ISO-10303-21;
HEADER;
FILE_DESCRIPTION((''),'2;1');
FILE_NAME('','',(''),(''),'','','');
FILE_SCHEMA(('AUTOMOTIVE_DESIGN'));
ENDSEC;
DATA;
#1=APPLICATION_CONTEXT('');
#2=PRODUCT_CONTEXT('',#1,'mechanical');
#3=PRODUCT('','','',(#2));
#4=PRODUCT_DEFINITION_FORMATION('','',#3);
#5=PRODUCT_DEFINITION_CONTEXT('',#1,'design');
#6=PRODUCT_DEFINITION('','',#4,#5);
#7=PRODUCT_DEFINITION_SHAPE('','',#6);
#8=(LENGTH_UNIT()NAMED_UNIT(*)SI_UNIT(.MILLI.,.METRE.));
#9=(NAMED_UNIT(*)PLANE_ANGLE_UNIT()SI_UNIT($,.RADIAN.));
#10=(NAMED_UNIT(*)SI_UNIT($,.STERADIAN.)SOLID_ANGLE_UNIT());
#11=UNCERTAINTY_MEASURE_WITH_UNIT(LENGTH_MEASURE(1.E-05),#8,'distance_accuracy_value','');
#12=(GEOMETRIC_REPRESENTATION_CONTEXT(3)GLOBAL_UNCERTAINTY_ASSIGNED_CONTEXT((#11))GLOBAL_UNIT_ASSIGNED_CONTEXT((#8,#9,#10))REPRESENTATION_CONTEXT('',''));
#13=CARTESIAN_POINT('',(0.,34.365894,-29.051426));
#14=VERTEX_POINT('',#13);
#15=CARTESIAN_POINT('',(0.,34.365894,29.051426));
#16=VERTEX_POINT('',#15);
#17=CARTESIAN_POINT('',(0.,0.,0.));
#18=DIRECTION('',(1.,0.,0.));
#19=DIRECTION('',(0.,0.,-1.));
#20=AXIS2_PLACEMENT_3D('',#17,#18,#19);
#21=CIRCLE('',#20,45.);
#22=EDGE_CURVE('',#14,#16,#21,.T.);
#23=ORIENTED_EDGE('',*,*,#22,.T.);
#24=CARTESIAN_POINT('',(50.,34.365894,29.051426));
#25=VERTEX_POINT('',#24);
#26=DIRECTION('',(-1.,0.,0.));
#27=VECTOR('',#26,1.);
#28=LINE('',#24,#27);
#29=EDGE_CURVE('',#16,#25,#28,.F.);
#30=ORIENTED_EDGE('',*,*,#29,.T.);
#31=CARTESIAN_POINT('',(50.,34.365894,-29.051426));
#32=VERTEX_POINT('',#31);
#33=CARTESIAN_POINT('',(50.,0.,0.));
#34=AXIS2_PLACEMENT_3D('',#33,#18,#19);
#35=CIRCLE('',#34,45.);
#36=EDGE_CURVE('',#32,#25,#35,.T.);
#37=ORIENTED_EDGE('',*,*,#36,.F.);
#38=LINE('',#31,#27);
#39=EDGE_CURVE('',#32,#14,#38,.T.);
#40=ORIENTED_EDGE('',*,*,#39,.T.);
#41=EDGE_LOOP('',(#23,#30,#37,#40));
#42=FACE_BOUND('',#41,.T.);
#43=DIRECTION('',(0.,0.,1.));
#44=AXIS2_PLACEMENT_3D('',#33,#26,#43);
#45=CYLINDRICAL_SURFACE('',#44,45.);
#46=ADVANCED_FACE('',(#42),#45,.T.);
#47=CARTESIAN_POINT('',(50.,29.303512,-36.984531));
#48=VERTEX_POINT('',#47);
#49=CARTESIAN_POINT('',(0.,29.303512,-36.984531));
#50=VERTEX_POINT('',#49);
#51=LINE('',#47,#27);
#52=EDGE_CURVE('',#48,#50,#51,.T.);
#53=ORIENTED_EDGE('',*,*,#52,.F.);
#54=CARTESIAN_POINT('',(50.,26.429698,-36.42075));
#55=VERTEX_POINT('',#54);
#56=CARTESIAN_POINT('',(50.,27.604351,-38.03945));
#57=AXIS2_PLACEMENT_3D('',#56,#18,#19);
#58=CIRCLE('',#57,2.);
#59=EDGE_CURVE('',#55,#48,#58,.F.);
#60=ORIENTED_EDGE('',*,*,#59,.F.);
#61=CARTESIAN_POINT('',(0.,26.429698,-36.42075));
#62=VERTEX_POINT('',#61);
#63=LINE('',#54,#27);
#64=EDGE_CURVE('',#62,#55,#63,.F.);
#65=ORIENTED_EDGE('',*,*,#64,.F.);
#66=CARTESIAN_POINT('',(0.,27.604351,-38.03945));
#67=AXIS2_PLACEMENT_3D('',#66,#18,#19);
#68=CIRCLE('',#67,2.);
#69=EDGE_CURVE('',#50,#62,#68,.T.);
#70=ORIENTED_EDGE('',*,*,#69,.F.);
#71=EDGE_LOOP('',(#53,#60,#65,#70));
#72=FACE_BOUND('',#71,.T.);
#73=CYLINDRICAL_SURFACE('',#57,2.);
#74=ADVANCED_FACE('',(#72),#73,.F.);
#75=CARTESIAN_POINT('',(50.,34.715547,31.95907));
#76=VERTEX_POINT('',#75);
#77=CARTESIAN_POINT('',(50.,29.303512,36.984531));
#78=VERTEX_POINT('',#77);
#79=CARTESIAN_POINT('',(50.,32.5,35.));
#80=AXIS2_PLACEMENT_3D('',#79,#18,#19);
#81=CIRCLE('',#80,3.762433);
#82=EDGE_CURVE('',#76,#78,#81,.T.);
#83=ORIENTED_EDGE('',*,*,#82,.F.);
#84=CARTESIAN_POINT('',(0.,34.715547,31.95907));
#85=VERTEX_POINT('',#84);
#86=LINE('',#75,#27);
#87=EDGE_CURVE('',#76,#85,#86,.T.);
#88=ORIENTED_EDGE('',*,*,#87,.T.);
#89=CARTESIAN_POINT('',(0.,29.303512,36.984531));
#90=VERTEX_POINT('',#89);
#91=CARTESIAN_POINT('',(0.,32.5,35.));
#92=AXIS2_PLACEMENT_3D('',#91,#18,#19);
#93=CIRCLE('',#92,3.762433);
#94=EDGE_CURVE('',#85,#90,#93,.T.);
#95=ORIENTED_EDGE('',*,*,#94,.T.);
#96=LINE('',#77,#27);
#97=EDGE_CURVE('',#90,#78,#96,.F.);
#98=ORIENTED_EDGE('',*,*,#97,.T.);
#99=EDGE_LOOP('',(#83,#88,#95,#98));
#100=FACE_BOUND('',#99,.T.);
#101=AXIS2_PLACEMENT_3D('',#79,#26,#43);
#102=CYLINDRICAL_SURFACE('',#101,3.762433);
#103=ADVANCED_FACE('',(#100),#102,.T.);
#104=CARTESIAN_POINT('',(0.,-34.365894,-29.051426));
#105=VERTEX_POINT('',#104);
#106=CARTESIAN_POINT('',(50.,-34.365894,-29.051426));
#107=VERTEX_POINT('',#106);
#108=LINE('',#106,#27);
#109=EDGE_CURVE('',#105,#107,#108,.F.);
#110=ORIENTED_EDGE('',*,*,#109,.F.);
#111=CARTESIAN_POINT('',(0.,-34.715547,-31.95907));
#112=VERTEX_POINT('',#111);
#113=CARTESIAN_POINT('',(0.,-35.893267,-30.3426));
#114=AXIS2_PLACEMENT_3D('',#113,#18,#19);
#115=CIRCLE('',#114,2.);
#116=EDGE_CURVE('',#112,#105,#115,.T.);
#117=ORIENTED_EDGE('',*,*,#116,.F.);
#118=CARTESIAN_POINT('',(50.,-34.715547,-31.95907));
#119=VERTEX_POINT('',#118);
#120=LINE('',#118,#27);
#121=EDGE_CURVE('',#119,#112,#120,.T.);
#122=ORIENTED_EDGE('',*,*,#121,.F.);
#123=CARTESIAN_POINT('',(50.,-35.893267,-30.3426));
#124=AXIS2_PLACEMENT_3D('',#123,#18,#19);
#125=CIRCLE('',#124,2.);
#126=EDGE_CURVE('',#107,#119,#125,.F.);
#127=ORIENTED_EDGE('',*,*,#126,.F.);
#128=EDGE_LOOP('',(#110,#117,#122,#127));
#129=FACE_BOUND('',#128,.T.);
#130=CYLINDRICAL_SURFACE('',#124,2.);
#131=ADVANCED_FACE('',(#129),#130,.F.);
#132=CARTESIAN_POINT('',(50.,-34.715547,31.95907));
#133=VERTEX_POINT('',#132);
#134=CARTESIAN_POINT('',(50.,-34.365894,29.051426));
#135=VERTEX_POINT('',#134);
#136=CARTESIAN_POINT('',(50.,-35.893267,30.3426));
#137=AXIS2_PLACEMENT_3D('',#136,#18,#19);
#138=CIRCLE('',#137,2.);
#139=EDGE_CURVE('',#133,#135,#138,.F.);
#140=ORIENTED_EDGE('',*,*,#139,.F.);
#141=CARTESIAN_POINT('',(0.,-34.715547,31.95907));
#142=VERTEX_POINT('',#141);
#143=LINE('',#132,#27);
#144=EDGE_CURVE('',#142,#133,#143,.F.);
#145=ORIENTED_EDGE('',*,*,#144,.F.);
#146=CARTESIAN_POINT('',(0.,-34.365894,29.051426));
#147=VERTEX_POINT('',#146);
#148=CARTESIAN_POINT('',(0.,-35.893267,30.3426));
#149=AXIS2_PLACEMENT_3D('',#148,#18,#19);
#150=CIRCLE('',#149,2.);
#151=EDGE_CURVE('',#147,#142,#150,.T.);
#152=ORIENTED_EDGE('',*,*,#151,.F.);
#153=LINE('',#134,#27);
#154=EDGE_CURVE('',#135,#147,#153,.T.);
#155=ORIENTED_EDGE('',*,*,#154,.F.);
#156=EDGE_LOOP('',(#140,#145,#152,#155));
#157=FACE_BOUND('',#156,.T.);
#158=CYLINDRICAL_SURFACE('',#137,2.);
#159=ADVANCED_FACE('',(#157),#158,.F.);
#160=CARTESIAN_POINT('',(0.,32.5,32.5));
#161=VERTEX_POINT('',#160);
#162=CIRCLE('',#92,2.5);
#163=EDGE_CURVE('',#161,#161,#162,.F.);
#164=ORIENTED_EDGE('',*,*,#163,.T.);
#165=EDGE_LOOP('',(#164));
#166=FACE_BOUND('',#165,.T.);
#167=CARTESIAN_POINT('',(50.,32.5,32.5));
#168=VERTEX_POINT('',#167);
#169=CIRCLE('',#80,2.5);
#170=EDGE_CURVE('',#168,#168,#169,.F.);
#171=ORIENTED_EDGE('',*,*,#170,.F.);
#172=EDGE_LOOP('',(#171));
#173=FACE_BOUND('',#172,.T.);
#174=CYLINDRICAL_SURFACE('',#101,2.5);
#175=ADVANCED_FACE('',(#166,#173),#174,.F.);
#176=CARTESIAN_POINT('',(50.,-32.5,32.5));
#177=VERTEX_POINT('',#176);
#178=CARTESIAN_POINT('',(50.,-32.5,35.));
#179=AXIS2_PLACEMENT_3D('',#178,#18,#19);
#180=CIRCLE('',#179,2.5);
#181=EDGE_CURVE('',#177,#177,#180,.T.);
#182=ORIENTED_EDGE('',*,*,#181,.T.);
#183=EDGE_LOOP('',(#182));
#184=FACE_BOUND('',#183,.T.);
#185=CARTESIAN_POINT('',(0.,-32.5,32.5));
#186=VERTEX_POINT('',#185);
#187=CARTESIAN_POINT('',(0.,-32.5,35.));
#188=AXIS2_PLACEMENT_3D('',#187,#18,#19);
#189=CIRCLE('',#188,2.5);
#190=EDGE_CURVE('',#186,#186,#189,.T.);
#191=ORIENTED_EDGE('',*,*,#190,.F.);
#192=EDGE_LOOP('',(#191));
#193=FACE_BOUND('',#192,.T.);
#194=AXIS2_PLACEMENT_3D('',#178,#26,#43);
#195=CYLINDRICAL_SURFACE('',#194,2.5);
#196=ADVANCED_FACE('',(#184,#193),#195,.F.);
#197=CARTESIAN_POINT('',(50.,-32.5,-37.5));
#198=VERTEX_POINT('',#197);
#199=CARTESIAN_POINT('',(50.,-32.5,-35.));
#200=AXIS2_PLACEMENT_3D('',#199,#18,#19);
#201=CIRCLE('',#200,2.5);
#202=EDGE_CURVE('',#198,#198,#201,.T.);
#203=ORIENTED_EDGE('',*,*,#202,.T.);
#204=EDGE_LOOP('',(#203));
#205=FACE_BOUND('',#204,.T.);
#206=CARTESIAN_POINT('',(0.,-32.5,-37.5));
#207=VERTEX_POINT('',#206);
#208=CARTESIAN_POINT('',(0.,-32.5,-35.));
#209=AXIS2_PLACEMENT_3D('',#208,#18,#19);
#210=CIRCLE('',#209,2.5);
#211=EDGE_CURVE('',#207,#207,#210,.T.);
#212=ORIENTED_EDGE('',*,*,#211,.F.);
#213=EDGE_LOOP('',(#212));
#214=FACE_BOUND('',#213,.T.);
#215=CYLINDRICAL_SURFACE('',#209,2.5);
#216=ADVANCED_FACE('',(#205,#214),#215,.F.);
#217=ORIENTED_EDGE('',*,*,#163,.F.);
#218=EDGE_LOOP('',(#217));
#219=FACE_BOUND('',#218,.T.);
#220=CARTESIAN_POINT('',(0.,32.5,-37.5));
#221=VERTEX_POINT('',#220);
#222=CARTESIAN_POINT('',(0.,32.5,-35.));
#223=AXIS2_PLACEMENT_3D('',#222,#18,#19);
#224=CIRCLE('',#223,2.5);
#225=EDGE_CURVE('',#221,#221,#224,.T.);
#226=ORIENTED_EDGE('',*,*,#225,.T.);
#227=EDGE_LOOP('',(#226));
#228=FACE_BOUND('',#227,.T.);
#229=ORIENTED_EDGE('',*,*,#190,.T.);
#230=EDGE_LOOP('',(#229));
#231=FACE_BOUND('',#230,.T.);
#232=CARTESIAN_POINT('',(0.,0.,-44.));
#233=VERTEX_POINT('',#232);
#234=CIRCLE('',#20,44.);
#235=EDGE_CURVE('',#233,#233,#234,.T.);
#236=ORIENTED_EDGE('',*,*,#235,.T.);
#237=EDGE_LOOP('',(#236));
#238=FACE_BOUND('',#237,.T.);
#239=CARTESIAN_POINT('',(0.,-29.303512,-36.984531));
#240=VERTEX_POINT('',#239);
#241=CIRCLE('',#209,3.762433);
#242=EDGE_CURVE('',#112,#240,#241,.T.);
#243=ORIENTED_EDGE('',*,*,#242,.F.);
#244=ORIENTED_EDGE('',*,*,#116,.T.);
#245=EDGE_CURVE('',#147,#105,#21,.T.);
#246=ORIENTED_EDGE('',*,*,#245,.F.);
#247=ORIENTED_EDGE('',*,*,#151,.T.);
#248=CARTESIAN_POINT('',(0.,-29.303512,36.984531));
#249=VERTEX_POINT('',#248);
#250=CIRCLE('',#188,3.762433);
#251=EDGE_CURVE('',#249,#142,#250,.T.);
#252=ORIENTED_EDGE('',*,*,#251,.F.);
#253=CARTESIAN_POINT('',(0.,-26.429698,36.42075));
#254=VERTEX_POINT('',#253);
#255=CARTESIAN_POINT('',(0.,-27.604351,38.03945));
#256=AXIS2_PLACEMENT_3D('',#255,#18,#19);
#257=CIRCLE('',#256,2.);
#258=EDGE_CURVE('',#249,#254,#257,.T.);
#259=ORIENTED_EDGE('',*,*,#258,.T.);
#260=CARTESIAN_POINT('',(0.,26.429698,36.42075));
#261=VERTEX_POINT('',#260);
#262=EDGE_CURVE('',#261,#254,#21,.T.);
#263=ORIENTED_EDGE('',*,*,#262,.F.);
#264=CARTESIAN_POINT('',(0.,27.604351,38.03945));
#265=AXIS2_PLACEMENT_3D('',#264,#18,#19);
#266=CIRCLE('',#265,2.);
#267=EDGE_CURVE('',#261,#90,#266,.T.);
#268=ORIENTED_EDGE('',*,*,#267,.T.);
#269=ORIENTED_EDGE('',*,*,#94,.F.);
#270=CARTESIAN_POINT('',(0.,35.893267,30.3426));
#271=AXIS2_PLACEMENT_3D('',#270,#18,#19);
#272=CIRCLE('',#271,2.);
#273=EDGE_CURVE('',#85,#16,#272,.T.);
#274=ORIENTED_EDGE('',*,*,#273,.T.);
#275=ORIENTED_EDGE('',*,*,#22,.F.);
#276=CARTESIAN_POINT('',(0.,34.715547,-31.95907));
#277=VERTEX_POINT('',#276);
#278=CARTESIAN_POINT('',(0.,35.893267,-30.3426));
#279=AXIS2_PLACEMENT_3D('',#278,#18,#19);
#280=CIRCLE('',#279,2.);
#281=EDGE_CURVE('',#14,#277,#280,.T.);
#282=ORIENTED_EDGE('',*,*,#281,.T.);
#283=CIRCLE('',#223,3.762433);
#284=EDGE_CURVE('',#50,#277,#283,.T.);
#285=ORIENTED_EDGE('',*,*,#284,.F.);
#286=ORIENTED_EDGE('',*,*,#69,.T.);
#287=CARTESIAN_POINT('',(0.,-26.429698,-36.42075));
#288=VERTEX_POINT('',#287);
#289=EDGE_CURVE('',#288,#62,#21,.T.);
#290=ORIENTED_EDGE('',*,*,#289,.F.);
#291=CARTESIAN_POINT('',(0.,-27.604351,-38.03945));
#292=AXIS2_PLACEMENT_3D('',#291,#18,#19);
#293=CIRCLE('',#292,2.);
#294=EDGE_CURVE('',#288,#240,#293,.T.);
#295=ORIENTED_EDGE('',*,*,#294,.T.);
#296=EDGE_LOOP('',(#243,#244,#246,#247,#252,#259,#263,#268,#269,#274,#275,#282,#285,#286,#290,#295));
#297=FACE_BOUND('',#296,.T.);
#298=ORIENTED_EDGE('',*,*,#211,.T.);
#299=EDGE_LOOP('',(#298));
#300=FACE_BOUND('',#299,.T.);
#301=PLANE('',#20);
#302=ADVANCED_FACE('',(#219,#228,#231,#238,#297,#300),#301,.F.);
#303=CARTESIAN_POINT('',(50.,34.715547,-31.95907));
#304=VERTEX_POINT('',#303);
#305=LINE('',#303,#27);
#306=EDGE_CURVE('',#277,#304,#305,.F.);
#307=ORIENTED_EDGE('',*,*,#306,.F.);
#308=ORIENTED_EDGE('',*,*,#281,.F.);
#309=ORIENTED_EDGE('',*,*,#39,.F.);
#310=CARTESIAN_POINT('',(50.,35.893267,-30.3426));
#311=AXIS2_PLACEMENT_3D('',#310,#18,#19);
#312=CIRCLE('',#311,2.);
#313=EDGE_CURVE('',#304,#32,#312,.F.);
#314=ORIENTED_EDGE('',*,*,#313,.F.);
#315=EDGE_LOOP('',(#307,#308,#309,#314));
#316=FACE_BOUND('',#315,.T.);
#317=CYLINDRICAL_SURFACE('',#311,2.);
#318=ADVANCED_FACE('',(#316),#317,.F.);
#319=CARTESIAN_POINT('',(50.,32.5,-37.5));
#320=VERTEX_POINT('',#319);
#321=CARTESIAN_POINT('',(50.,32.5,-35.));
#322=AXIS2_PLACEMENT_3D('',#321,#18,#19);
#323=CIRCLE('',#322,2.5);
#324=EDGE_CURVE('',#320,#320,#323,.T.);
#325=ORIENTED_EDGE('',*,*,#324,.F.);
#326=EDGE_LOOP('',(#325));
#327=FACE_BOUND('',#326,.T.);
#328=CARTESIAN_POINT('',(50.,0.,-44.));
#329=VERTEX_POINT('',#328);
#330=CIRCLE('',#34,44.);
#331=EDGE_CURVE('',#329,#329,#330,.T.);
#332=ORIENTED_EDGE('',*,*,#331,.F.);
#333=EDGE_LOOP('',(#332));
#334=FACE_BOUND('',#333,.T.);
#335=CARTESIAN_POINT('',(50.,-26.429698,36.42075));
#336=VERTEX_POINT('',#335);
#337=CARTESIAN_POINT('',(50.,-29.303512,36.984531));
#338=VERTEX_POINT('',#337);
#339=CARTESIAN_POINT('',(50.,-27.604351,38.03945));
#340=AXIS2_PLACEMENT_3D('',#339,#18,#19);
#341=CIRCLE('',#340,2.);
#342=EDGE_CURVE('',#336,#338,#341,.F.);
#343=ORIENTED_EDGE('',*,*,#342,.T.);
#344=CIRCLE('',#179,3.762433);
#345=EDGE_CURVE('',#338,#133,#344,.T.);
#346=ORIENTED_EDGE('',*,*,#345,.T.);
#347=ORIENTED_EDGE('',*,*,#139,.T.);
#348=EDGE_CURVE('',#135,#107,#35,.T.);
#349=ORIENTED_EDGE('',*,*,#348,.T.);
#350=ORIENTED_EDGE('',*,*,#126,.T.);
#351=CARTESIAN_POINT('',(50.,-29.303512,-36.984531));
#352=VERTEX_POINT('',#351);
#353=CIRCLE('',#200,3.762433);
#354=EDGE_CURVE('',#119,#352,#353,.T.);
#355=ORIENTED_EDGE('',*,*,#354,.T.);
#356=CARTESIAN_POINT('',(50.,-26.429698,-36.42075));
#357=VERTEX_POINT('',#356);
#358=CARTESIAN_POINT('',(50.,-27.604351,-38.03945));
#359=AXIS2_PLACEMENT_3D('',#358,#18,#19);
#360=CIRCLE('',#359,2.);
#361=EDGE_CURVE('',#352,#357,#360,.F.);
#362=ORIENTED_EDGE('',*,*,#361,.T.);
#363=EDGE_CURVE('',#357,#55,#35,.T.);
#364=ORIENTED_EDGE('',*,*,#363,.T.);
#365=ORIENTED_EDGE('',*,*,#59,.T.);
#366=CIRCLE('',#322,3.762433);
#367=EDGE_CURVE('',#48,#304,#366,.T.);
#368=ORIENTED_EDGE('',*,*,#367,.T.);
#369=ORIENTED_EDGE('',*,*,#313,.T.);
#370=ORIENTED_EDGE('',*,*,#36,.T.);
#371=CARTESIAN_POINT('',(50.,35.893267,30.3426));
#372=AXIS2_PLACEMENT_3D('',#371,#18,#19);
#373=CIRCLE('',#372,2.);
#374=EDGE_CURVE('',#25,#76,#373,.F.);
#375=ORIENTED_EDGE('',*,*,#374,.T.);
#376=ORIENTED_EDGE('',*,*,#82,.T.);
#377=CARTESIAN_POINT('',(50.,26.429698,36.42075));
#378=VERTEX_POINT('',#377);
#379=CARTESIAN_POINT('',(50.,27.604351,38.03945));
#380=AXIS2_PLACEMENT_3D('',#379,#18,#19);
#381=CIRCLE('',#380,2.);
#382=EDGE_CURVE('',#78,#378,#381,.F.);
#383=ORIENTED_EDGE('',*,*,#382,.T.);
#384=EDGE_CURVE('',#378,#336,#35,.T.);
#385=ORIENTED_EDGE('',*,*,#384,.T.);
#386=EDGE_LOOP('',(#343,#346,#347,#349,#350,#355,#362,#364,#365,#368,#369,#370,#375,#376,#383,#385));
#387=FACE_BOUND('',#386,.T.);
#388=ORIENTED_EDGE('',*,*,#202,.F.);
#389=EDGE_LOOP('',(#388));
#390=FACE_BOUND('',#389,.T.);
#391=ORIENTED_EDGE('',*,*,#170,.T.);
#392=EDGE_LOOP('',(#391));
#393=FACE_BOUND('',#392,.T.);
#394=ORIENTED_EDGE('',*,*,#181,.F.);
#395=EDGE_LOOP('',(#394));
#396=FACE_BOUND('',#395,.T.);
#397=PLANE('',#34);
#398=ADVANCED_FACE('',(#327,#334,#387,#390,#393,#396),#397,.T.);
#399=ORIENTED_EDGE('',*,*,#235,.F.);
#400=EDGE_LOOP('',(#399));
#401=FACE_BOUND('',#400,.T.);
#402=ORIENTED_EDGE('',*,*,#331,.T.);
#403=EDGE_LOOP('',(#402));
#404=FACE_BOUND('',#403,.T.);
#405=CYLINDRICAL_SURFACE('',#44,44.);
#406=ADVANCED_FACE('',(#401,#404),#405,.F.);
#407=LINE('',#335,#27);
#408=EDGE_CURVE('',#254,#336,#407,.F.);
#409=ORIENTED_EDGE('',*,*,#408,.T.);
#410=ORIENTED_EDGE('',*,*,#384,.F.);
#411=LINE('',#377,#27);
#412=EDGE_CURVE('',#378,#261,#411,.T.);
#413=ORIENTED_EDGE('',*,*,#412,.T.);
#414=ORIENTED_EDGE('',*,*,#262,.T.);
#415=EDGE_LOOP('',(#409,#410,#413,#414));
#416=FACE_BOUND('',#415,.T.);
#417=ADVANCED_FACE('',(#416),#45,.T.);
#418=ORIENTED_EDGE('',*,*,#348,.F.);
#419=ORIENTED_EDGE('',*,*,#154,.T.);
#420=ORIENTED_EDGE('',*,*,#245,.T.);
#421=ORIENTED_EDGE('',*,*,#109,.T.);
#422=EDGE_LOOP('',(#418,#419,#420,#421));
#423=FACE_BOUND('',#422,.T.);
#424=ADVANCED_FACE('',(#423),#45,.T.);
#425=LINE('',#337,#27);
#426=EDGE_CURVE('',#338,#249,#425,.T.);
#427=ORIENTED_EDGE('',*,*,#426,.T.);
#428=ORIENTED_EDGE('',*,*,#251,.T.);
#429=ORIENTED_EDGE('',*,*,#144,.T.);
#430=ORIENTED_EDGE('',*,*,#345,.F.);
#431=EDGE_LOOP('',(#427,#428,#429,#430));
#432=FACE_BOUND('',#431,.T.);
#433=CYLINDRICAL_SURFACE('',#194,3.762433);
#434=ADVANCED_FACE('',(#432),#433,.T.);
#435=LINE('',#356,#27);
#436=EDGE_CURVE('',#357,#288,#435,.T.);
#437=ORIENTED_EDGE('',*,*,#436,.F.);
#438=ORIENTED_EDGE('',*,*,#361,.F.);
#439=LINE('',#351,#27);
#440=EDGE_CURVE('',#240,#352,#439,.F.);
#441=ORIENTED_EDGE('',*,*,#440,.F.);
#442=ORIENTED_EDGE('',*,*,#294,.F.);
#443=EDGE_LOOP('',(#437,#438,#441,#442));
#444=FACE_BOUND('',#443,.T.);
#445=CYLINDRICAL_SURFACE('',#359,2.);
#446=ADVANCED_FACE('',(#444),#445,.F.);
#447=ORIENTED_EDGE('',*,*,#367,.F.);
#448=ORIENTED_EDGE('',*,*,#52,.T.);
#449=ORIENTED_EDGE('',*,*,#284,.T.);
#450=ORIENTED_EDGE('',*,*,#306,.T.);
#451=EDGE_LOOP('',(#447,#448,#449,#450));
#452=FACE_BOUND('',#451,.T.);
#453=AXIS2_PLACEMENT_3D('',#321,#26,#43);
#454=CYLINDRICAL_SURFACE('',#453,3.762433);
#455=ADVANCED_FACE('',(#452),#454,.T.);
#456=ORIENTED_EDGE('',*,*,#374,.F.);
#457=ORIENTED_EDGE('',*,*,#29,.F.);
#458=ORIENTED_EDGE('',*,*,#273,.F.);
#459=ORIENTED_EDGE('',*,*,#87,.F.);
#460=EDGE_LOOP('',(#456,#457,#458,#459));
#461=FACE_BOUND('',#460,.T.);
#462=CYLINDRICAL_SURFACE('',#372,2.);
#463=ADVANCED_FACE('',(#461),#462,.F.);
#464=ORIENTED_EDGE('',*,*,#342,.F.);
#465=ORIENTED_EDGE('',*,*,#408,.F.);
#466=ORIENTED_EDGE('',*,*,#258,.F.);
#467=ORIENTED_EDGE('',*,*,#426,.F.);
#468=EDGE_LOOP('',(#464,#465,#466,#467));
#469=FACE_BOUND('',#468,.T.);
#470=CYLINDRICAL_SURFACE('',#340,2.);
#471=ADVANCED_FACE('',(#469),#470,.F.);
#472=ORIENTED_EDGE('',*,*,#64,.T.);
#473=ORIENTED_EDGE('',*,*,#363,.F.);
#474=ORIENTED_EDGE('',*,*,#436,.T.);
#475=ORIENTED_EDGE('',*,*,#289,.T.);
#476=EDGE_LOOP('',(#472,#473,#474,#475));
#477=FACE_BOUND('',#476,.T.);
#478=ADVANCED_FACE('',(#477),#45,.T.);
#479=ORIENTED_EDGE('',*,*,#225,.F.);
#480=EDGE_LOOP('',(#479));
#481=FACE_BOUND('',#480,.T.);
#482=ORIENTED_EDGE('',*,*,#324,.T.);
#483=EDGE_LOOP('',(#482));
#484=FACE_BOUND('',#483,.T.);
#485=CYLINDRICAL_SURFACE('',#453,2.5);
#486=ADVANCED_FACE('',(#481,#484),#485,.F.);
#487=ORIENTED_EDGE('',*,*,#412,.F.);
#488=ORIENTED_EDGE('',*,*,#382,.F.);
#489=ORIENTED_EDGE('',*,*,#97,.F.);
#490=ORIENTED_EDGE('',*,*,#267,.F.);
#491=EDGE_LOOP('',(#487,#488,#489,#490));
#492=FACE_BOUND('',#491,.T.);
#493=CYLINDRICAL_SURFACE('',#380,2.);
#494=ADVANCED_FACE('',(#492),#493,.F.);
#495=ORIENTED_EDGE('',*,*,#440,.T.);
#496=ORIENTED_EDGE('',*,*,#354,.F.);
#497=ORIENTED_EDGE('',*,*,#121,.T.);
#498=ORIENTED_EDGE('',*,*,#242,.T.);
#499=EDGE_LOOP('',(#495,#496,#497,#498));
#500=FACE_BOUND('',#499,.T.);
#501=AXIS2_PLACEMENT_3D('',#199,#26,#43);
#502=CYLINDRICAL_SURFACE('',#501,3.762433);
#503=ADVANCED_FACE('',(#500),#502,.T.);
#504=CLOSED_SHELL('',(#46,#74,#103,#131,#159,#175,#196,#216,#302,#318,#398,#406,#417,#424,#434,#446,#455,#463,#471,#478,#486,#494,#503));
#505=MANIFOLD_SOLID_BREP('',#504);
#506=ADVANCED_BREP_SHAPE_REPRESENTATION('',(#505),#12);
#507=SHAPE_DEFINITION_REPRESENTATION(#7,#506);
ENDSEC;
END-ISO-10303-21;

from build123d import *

# Parameters (mm, degrees)
SKETCH1_R           = 45
SKETCH1_R_2         = 44
SKETCH1_R_3         = 3.762432936
SKETCH1_R_4         = 2.5
BOSS_EXTRUDE5_DEPTH = 50
SKETCH2_R           = 2.5
CUT_EXTRUDE1_DEPTH  = 50
FILLET1_R           = 2


with BuildPart() as part:
    # Sketch1 → Boss-Extrude5 (new body)
    # profile 1 of 5: a face of its own
    with BuildSketch(Plane(origin=(0, 0, 0), x_dir=(0, 0, -1), z_dir=(1, 0, 0))):
        Circle(SKETCH1_R)
        Circle(SKETCH1_R_2, mode=Mode.SUBTRACT)
    # profile 2 of 5: a face of its own
    with BuildSketch(Plane(origin=(0, 0, 0), x_dir=(0, 0, -1), z_dir=(1, 0, 0))):
        with Locations((-35, 32.5)):
            Circle(SKETCH1_R_3)
        with Locations((-35, 32.5)):
            Circle(SKETCH1_R_4, mode=Mode.SUBTRACT)
    # profile 3 of 5: a face of its own
    with BuildSketch(Plane(origin=(0, 0, 0), x_dir=(0, 0, -1), z_dir=(1, 0, 0))):
        with Locations((-35, -32.5)):
            Circle(SKETCH1_R_3)
        with Locations((-35, -32.5)):
            Circle(SKETCH1_R_4, mode=Mode.SUBTRACT)
    # profile 4 of 5: a face of its own
    with BuildSketch(Plane(origin=(0, 0, 0), x_dir=(0, 0, -1), z_dir=(1, 0, 0))):
        with Locations((35, -32.5)):
            Circle(SKETCH1_R_3)
    # profile 5 of 5: a face of its own
    with BuildSketch(Plane(origin=(0, 0, 0), x_dir=(0, 0, -1), z_dir=(1, 0, 0))):
        with Locations((35, 32.5)):
            Circle(SKETCH1_R_3)
        with Locations((35, 32.5)):
            Circle(SKETCH1_R_4, mode=Mode.SUBTRACT)
    extrude(amount=BOSS_EXTRUDE5_DEPTH)

    # Sketch2 → Cut-Extrude1 (cut)
    with BuildSketch(Plane(origin=(50, 0, 0), x_dir=(0, 0, -1), z_dir=(1, 0, 0))):
        with Locations((35, -32.5)):
            Circle(SKETCH2_R)
    extrude(amount=-CUT_EXTRUDE1_DEPTH, mode=Mode.SUBTRACT)

    # Fillet1
    fillet1_edges = [part.edges().sort_by_distance(p)[0] for p in [
        (25, -28.757613043, 34.612132151),
        (25, 28.757613043, 34.612132151),
        (25, 32.390028906, 31.239174564),
        (25, -32.390028906, 31.239174564),
        (25, 28.757613043, -34.612132151),
        (25, 32.390028906, -31.239174564),
        (25, -32.390028906, -31.239174564),
        (25, -28.757613043, -34.612132151),
    ]]
    fillet(fillet1_edges, radius=FILLET1_R)


solid = part.part
